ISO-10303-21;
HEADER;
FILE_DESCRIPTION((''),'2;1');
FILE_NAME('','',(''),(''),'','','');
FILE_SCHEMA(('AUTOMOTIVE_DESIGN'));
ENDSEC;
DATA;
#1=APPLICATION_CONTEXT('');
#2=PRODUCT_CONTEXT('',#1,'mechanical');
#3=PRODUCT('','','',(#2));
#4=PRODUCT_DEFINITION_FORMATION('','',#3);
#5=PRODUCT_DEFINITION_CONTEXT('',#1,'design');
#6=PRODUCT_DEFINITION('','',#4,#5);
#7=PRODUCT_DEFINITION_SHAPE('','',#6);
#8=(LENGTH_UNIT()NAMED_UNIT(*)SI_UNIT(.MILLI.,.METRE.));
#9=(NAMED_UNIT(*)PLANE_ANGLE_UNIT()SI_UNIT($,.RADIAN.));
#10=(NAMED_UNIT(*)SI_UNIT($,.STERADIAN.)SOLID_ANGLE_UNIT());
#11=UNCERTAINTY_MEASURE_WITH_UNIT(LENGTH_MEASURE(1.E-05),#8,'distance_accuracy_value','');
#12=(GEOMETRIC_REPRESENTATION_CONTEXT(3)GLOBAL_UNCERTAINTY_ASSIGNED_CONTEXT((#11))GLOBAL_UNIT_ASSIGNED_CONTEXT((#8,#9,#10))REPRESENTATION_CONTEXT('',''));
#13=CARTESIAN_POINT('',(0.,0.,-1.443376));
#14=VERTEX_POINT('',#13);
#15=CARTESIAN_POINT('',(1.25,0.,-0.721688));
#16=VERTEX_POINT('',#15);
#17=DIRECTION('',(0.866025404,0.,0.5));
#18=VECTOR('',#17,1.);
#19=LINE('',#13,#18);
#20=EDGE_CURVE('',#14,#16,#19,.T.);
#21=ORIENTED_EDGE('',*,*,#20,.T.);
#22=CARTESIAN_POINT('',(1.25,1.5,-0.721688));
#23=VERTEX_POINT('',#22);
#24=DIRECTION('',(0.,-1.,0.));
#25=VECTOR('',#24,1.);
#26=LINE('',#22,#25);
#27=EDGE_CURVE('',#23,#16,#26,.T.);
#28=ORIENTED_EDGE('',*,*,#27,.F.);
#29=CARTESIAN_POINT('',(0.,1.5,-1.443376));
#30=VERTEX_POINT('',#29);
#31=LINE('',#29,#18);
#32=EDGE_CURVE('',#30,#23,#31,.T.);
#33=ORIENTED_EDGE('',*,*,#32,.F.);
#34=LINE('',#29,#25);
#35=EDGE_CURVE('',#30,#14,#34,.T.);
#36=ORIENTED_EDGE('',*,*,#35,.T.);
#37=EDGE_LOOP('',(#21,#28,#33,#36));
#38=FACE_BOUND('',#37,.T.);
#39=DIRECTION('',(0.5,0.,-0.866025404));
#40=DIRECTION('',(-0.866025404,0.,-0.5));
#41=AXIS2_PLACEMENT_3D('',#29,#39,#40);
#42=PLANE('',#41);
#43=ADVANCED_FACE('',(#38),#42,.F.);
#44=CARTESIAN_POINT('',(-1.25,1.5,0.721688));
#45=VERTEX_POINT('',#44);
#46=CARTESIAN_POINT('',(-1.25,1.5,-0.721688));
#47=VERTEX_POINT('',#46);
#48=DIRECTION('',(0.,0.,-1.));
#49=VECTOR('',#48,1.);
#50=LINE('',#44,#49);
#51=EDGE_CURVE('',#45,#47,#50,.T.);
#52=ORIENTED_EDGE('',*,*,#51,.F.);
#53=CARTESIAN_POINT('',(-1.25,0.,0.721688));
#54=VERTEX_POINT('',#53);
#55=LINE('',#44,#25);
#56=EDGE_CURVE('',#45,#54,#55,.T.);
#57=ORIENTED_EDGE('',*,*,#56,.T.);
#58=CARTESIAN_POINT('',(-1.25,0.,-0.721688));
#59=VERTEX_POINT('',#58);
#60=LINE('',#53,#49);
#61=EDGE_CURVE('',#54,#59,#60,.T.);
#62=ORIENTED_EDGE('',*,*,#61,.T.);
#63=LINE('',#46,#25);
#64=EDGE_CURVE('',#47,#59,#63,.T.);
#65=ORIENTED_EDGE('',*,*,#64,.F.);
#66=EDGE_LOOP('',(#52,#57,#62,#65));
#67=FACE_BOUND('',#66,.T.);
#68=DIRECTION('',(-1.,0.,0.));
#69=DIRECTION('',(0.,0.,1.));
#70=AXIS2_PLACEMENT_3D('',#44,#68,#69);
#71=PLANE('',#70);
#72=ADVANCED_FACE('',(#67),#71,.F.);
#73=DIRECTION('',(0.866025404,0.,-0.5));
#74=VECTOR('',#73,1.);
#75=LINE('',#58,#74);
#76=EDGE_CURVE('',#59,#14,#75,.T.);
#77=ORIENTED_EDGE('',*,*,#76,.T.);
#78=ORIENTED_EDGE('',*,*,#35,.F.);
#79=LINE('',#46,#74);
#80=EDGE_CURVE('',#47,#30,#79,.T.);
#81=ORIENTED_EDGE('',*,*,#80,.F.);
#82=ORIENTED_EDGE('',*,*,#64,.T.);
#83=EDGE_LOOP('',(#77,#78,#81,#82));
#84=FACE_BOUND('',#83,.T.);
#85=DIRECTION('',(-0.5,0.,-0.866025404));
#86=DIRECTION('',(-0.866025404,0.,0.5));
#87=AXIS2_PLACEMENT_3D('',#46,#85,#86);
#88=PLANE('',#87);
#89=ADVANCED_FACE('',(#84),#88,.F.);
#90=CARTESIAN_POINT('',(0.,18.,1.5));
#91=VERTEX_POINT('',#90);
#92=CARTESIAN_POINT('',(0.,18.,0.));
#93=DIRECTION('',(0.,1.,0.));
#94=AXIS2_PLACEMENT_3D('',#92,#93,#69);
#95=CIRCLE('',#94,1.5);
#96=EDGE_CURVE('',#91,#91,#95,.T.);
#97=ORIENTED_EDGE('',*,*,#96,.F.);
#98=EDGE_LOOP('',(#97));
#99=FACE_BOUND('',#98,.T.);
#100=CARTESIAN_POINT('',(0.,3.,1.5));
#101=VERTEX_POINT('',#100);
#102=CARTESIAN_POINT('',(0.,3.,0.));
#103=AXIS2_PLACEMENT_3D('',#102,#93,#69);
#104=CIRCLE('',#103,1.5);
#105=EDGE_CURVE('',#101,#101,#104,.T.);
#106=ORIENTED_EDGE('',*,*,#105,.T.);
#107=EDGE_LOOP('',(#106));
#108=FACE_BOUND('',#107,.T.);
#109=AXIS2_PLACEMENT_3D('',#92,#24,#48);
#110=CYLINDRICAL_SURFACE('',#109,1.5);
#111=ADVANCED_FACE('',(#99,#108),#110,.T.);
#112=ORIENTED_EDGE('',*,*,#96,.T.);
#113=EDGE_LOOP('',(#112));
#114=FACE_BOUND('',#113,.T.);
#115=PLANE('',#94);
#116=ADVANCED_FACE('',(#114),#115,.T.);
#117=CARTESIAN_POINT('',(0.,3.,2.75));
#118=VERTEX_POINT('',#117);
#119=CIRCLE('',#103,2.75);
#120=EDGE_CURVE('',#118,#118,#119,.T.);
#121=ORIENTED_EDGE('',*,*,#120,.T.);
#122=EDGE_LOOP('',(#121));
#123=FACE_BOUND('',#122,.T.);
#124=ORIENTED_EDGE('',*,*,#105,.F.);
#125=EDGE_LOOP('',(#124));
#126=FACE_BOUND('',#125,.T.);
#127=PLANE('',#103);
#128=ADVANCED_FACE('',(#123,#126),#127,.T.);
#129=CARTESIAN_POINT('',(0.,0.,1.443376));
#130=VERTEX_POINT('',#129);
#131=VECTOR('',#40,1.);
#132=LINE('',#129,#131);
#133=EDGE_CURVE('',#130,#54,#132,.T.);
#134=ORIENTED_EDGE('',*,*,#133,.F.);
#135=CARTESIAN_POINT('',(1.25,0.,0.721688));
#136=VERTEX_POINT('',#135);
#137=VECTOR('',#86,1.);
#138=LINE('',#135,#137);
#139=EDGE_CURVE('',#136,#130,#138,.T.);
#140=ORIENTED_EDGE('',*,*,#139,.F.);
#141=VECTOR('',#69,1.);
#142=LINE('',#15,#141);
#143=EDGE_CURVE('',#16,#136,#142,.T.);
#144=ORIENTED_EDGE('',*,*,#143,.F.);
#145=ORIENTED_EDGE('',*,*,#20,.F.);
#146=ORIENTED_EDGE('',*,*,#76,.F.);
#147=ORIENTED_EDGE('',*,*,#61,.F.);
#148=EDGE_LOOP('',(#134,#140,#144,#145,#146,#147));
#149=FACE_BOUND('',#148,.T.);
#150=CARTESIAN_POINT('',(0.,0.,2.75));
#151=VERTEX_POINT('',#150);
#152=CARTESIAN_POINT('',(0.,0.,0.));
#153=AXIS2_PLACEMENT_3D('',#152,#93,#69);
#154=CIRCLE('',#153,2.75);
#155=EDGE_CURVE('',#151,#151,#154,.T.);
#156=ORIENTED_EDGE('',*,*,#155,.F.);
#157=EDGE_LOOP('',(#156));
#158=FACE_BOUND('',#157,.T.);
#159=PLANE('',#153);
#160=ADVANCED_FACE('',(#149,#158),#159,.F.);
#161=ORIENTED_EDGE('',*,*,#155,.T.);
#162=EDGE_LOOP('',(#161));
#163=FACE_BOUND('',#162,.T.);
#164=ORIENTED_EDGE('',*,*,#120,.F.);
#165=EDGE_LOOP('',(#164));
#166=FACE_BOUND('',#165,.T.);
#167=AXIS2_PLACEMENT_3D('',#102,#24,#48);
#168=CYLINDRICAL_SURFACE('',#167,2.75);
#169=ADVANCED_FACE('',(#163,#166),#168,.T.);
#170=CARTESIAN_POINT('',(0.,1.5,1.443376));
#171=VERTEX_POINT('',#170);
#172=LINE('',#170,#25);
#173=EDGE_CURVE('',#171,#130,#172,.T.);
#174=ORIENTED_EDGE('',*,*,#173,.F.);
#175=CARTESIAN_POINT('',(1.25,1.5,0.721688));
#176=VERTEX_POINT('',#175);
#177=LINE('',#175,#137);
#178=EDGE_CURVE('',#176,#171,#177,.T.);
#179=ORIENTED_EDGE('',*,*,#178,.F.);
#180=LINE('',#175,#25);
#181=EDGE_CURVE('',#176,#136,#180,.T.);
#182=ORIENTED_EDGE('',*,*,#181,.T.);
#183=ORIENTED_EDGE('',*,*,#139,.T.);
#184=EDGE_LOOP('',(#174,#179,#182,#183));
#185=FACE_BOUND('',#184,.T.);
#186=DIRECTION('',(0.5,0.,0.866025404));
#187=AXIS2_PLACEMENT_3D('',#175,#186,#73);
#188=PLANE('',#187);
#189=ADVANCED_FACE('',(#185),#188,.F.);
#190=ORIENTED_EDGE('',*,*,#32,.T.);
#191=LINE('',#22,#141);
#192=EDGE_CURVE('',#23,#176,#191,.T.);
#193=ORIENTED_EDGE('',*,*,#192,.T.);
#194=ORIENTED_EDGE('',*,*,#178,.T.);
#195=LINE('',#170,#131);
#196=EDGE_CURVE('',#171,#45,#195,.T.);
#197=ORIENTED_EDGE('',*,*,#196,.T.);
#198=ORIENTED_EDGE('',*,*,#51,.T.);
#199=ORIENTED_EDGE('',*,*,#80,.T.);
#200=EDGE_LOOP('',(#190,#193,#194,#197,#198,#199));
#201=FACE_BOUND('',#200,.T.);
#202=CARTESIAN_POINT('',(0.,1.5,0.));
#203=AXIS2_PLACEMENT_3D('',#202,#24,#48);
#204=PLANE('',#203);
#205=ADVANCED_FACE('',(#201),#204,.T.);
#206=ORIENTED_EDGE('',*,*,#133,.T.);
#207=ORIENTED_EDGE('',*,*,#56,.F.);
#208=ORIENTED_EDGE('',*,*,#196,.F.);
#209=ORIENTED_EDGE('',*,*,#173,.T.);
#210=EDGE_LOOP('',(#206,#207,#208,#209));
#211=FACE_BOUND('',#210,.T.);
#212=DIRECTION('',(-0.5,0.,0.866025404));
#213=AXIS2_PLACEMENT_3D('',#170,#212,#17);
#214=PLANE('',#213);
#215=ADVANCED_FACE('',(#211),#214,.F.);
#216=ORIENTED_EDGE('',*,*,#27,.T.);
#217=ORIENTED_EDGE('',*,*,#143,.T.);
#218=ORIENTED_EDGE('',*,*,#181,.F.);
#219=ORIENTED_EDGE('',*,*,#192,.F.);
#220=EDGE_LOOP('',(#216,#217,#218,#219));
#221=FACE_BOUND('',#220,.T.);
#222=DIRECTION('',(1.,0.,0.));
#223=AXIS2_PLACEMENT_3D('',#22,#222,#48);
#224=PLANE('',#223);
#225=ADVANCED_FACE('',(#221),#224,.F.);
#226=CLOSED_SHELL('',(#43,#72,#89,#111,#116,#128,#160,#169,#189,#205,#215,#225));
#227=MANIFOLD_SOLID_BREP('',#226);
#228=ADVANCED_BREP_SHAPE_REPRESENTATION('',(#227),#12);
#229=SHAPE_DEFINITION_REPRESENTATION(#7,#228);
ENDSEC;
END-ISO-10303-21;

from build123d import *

# Parameters (mm, degrees)
SKETCH1_R           = 2.75
BOSS_EXTRUDE1_DEPTH = 3
SKETCH2_R           = 1.5
BOSS_EXTRUDE2_DEPTH = 15
CUT_EXTRUDE1_DEPTH  = 1.5


with BuildPart() as part:
    # Sketch1 → Boss-Extrude1 (new body)
    with BuildSketch(Plane(origin=(0, 0, 0), x_dir=(1, 0, 0), z_dir=(0, 1, 0))):
        Circle(SKETCH1_R)
    extrude(amount=BOSS_EXTRUDE1_DEPTH)

    # Sketch2 → Boss-Extrude2 (add)
    with BuildSketch(Plane(origin=(0, 3, 0), x_dir=(1, 0, 0), z_dir=(0, 1, 0))):
        Circle(SKETCH2_R)
    extrude(amount=BOSS_EXTRUDE2_DEPTH)

    # Sketch3 → Cut-Extrude1 (cut)
    with BuildSketch(Plane(origin=(0, 0, 0), x_dir=(-1, 0, 0), z_dir=(0, -1, 0))):
        Polygon((0, -1.443375673), (1.25, -0.721687836), (1.25, 0.721687836), (0, 1.443375673), (-1.25, 0.721687836), (-1.25, -0.721687836), align=None)
    extrude(amount=-CUT_EXTRUDE1_DEPTH, mode=Mode.SUBTRACT)


solid = part.part
